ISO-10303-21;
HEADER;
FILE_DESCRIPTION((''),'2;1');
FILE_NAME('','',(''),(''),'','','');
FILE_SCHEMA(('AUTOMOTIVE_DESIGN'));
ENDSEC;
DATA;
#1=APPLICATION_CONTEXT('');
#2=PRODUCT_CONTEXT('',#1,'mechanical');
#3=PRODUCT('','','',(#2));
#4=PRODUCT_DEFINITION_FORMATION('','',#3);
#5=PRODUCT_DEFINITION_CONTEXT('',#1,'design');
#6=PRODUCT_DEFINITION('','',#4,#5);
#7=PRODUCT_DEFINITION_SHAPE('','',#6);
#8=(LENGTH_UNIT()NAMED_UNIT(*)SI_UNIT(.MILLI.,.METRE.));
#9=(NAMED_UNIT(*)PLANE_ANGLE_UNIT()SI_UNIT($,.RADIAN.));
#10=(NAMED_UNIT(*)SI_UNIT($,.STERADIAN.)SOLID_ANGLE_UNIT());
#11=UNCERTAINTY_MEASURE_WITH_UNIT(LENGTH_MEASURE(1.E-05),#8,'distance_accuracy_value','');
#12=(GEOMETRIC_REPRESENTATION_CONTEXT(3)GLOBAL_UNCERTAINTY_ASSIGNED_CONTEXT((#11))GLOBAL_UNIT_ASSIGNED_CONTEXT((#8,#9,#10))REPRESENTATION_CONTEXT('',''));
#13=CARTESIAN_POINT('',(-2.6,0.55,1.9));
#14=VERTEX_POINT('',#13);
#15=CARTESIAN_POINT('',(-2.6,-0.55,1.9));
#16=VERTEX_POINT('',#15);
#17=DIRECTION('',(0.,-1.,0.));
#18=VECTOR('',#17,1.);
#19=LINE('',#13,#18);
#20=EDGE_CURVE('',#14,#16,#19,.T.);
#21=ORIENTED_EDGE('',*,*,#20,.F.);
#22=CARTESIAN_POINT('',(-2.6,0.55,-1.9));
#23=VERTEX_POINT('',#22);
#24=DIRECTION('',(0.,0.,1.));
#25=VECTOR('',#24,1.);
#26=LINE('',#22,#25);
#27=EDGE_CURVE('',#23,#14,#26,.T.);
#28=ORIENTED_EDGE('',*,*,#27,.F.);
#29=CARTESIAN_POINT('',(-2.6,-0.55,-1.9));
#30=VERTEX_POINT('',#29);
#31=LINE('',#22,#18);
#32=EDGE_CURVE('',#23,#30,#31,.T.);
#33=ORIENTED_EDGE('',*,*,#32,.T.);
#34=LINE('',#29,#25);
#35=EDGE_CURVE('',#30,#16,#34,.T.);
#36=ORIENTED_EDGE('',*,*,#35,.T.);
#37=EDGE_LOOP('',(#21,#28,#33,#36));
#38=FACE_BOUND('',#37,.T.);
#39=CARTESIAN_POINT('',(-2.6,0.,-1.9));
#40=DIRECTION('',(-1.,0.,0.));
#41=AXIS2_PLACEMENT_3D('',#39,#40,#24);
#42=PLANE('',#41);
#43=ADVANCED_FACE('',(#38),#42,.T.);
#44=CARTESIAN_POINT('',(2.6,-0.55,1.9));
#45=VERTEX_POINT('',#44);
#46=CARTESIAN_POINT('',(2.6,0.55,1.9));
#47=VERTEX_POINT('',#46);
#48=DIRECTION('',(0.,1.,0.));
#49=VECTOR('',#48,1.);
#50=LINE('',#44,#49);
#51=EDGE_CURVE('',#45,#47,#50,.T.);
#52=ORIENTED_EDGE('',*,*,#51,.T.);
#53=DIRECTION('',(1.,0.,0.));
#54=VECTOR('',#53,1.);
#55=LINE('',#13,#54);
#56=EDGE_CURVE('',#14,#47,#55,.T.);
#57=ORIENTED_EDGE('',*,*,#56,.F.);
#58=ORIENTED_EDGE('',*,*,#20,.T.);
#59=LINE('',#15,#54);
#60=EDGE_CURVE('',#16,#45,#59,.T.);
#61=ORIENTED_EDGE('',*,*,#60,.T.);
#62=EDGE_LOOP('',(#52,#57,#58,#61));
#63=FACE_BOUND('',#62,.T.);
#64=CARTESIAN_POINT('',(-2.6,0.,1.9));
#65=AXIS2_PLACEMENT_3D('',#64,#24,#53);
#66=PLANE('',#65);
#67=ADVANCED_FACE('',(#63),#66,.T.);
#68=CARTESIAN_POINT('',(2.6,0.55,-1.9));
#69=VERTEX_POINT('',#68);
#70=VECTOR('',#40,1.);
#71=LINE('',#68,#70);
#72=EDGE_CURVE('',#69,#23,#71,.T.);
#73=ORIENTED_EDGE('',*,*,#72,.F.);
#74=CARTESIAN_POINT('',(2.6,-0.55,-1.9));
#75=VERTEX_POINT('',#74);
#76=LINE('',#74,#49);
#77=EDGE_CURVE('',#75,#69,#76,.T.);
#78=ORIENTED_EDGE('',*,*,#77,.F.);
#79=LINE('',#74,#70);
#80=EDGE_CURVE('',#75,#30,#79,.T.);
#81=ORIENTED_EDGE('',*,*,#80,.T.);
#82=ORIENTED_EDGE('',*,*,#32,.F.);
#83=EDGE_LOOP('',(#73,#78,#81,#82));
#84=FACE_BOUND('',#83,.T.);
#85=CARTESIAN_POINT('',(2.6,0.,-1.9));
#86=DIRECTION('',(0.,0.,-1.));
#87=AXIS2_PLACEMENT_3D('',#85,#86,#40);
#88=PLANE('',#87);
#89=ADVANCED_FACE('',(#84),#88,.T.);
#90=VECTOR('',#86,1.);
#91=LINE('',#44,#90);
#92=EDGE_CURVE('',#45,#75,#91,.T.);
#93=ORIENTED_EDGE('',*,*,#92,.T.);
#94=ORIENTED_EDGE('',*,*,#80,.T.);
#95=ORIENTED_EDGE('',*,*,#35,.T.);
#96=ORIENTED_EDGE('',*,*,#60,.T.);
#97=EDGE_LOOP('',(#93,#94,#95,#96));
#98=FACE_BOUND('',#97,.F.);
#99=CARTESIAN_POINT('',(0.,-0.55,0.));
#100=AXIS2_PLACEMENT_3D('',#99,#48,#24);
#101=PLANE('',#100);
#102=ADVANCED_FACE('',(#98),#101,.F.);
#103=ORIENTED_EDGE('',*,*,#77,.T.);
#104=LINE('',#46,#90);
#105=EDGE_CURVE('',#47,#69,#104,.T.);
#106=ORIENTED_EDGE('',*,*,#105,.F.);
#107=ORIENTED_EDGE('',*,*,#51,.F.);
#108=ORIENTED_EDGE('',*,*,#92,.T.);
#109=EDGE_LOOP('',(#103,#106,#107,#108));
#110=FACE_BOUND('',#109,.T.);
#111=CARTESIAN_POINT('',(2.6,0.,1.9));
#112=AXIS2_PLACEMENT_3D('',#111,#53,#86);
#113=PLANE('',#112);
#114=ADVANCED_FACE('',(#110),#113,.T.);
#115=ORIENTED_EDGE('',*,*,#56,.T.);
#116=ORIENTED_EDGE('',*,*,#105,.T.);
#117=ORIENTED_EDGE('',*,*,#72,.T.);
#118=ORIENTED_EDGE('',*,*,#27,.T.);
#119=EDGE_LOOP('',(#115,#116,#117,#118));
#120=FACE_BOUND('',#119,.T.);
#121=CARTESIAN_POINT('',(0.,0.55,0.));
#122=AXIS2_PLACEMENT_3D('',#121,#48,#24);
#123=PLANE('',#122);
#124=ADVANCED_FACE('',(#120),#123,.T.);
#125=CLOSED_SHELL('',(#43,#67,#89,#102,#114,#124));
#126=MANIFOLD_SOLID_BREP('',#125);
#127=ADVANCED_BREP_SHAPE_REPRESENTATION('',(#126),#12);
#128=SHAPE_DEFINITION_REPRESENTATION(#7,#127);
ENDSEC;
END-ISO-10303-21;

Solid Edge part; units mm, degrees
sketch "Sketch1" plane through (0, 0, 0) normal (0, -1, 0) x (1, 0, 0)
  line L0 (-2.6, 1.9) -> (2.6, 1.9)
  line L1 (2.6, 1.9) -> (2.6, -1.9)
  line L2 (2.6, -1.9) -> (-2.6, -1.9)
  line L3 (-2.6, -1.9) -> (-2.6, 1.9)
extrude "Protrusion1" add sketch "Sketch1" along normal mid plane 1.1
